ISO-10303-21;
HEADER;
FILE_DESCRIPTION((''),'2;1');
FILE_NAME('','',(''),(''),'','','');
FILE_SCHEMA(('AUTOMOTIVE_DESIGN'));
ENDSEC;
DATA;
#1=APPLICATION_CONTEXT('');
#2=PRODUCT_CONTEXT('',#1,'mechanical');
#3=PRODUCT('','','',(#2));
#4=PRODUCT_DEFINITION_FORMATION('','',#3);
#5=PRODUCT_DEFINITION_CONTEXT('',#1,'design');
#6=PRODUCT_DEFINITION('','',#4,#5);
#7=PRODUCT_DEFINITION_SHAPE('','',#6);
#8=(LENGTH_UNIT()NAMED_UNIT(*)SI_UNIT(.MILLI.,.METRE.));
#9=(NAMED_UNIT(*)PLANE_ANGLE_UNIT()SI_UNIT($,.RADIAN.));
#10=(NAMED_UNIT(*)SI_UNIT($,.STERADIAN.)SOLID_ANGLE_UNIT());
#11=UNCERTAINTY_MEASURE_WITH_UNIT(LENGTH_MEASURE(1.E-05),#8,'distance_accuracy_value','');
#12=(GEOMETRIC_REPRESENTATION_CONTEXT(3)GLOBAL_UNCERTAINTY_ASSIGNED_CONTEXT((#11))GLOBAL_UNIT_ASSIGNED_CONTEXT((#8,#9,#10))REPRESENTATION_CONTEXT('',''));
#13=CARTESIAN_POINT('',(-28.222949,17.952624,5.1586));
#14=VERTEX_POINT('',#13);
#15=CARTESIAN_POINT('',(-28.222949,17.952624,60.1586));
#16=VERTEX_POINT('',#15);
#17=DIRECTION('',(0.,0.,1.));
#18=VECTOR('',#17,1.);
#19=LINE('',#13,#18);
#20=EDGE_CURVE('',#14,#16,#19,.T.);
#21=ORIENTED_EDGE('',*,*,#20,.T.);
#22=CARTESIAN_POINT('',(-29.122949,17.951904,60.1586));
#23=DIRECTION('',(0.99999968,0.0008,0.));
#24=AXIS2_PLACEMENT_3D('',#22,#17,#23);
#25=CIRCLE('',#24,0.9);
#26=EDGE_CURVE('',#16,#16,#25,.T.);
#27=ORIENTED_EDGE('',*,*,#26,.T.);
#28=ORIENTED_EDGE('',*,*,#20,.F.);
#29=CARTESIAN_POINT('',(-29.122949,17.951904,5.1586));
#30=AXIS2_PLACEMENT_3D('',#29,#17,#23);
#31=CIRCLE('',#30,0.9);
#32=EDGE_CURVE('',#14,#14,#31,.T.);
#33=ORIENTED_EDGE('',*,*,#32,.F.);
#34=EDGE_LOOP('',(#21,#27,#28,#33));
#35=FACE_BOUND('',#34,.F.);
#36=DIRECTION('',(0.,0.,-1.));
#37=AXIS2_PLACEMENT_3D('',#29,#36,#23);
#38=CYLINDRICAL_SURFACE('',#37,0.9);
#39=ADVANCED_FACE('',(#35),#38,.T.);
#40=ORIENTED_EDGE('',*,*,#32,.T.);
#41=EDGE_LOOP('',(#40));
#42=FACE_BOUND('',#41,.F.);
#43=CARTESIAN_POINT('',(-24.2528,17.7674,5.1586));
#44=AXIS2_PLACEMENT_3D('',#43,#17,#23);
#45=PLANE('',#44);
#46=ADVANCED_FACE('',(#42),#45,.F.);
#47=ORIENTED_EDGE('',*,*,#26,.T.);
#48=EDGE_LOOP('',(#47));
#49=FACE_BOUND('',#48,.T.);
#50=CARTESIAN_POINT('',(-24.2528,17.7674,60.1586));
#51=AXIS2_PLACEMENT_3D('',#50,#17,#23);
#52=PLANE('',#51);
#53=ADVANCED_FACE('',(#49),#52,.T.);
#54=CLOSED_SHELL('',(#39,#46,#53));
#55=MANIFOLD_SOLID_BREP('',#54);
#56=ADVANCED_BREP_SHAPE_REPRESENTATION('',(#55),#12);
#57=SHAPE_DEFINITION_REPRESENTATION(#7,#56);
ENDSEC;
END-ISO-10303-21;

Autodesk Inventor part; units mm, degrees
ref_plane "YZ Plane" through (0, 0, 0) normal (1, 0, 0) x (0, 1, 0)
ref_plane "XZ Plane" through (0, 0, 0) normal (0, 1, 0) x (-1, 0, 0)
ref_plane "XY Plane" through (0, 0, 0) normal (0, 0, 1) x (1, 0, 0)
ref_plane "Work Plane1" through (-24.2528, 17.7674, 5.1586) normal (0, 0, 1) x (1, 0.0008, 0)
sketch "Sketch1" plane through (-24.2528, 17.7674, 5.1586) normal (0, 0, 1) x (1, 0.0008, 0)
  circle A0 centre (-4.87, 0.1884) radius 0.9
  circle A1 centre (-4.87, 0.1884) radius 0.9
  point P0 (24.238, -17.7876)
  dimension "d1" = 1.8
extrude "Extrusion1" add sketch "Sketch1" along normal blind 55
properties part number "ServoHolderPole"
